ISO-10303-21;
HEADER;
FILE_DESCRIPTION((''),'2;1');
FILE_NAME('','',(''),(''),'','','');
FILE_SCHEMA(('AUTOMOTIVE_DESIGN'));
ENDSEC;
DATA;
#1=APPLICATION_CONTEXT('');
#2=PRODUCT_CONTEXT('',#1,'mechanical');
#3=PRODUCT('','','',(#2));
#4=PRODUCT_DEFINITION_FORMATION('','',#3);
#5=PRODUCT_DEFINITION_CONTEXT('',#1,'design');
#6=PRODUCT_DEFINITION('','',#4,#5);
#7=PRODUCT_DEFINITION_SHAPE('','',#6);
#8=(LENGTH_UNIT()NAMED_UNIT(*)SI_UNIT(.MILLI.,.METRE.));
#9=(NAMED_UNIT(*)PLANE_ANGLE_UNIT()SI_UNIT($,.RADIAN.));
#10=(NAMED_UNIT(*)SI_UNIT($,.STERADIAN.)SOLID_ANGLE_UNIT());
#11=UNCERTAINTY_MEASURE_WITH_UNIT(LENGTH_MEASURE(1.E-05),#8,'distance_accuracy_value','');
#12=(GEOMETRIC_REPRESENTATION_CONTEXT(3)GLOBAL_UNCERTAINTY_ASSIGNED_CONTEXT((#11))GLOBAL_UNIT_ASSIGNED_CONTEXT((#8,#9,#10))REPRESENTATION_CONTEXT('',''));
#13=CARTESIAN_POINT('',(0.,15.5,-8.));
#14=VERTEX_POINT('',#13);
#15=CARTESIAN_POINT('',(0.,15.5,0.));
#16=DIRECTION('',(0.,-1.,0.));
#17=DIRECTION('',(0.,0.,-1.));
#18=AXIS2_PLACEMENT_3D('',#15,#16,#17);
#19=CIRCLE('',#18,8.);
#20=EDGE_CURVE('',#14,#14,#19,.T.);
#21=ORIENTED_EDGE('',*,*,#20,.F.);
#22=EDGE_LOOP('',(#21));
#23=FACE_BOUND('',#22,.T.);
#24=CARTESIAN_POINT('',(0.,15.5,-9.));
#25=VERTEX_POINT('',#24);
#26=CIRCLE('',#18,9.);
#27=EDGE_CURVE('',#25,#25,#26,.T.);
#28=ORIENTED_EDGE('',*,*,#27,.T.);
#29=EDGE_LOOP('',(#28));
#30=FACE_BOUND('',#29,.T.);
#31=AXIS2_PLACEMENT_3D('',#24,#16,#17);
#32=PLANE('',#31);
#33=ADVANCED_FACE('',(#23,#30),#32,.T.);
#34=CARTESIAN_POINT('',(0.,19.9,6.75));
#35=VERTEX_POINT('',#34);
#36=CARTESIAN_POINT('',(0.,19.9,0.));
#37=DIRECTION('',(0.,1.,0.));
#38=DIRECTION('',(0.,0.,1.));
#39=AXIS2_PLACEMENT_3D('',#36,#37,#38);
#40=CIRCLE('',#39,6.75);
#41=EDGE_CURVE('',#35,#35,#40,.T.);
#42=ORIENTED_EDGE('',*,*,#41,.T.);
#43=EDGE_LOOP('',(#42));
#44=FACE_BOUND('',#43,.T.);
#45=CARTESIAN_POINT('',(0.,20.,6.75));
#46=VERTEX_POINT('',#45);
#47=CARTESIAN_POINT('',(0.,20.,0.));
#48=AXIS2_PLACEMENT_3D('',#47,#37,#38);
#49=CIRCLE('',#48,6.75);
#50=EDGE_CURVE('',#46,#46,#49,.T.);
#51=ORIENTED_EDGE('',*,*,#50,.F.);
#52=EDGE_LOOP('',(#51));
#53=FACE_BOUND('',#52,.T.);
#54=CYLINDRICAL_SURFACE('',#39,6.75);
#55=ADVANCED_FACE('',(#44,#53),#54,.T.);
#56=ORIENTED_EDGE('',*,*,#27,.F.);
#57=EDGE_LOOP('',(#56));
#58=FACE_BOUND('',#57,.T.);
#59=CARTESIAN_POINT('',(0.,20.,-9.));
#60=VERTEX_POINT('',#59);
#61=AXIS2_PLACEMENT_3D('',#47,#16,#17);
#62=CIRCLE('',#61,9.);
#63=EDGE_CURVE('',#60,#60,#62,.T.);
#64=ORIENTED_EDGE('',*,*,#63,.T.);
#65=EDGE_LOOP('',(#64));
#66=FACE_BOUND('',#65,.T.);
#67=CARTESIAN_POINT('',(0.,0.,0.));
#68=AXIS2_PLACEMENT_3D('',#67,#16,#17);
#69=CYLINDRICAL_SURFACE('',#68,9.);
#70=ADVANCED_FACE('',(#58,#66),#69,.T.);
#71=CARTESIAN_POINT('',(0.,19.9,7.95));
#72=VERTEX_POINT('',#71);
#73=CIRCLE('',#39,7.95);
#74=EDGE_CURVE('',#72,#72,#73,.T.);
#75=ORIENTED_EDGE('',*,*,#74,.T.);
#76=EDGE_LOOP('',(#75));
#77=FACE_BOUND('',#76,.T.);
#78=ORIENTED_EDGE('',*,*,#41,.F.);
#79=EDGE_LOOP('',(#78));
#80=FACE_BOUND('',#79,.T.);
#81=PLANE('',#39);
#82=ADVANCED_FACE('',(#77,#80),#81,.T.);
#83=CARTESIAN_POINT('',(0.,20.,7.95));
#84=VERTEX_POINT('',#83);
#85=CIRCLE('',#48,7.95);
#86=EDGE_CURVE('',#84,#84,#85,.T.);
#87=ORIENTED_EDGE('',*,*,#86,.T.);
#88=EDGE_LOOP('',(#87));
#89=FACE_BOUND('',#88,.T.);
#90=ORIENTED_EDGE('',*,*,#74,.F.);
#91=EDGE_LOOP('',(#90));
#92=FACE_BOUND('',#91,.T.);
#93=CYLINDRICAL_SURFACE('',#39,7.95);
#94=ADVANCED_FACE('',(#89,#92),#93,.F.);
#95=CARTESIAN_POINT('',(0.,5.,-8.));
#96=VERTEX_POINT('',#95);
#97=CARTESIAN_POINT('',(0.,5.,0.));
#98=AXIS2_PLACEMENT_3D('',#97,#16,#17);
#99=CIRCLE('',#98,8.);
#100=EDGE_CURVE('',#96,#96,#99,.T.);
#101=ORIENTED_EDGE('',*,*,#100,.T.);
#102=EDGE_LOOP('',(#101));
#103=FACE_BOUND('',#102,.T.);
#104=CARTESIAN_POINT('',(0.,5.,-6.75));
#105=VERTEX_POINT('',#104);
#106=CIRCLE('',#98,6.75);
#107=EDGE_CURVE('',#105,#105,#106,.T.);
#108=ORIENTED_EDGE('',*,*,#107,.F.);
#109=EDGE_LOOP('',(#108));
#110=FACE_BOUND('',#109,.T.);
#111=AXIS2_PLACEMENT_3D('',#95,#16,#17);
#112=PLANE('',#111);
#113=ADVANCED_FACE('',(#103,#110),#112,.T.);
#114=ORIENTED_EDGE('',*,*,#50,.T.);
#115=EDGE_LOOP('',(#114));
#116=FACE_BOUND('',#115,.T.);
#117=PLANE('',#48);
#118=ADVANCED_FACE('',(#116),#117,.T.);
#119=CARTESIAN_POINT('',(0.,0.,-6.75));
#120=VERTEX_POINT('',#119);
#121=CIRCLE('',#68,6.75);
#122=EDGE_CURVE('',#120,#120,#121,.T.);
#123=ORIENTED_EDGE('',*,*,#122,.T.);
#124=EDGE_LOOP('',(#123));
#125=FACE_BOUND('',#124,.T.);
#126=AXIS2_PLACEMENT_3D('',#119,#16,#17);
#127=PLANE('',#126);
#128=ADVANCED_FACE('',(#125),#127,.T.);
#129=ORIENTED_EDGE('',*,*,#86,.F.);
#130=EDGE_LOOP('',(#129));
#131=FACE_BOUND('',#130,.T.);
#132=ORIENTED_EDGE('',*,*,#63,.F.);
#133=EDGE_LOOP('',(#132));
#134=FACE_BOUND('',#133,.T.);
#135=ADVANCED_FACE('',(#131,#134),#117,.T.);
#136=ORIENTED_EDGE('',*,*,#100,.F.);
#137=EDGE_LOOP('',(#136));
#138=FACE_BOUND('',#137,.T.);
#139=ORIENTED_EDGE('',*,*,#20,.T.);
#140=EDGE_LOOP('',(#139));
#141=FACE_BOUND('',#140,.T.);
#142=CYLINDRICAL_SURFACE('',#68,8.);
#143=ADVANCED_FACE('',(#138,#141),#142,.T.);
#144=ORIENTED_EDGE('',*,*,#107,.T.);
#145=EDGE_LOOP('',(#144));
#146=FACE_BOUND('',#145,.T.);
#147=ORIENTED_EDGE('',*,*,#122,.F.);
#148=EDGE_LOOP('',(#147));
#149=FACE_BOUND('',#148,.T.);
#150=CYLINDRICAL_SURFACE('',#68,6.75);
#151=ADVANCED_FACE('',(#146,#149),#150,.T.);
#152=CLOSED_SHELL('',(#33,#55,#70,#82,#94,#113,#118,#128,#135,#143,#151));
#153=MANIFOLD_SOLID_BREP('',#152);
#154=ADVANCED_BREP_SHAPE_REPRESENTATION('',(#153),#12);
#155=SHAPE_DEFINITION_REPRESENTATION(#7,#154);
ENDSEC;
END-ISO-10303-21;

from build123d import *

# Parameters (mm, degrees)
CUT_EXTRUDE1_START = -0.1
SKETCH2_R          = 7.95
SKETCH2_R_2        = 6.75
CUT_EXTRUDE1_DEPTH = 0.1


with BuildPart() as part:
    # Sketch1 → Revolve1 (revolve)
    with BuildSketch(Plane(origin=(0, 0, 0), x_dir=(0, 0, -1), z_dir=(1, 0, 0))):
        Polygon((0, 20), (9, 20), (9, 15.5), (8, 15.5), (8, 5), (6.75, 5), (6.75, 0), (0, 0), align=None)
    revolve(axis=Axis((0, 0, 0), (0, 1, 0)))

    # Sketch2 → Cut-Extrude1 (cut)
    with BuildSketch(Plane(origin=(0, 20, 0), x_dir=(1, 0, 0), z_dir=(0, 1, 0)).offset(CUT_EXTRUDE1_START)):
        with Locations(Location((0, 0, 0), (0, 0, 270))):
            Circle(SKETCH2_R)
        with Locations(Location((0, 0, 0), (0, 0, 90))):
            Circle(SKETCH2_R_2, mode=Mode.SUBTRACT)
    extrude(amount=CUT_EXTRUDE1_DEPTH, mode=Mode.SUBTRACT)


solid = part.part
